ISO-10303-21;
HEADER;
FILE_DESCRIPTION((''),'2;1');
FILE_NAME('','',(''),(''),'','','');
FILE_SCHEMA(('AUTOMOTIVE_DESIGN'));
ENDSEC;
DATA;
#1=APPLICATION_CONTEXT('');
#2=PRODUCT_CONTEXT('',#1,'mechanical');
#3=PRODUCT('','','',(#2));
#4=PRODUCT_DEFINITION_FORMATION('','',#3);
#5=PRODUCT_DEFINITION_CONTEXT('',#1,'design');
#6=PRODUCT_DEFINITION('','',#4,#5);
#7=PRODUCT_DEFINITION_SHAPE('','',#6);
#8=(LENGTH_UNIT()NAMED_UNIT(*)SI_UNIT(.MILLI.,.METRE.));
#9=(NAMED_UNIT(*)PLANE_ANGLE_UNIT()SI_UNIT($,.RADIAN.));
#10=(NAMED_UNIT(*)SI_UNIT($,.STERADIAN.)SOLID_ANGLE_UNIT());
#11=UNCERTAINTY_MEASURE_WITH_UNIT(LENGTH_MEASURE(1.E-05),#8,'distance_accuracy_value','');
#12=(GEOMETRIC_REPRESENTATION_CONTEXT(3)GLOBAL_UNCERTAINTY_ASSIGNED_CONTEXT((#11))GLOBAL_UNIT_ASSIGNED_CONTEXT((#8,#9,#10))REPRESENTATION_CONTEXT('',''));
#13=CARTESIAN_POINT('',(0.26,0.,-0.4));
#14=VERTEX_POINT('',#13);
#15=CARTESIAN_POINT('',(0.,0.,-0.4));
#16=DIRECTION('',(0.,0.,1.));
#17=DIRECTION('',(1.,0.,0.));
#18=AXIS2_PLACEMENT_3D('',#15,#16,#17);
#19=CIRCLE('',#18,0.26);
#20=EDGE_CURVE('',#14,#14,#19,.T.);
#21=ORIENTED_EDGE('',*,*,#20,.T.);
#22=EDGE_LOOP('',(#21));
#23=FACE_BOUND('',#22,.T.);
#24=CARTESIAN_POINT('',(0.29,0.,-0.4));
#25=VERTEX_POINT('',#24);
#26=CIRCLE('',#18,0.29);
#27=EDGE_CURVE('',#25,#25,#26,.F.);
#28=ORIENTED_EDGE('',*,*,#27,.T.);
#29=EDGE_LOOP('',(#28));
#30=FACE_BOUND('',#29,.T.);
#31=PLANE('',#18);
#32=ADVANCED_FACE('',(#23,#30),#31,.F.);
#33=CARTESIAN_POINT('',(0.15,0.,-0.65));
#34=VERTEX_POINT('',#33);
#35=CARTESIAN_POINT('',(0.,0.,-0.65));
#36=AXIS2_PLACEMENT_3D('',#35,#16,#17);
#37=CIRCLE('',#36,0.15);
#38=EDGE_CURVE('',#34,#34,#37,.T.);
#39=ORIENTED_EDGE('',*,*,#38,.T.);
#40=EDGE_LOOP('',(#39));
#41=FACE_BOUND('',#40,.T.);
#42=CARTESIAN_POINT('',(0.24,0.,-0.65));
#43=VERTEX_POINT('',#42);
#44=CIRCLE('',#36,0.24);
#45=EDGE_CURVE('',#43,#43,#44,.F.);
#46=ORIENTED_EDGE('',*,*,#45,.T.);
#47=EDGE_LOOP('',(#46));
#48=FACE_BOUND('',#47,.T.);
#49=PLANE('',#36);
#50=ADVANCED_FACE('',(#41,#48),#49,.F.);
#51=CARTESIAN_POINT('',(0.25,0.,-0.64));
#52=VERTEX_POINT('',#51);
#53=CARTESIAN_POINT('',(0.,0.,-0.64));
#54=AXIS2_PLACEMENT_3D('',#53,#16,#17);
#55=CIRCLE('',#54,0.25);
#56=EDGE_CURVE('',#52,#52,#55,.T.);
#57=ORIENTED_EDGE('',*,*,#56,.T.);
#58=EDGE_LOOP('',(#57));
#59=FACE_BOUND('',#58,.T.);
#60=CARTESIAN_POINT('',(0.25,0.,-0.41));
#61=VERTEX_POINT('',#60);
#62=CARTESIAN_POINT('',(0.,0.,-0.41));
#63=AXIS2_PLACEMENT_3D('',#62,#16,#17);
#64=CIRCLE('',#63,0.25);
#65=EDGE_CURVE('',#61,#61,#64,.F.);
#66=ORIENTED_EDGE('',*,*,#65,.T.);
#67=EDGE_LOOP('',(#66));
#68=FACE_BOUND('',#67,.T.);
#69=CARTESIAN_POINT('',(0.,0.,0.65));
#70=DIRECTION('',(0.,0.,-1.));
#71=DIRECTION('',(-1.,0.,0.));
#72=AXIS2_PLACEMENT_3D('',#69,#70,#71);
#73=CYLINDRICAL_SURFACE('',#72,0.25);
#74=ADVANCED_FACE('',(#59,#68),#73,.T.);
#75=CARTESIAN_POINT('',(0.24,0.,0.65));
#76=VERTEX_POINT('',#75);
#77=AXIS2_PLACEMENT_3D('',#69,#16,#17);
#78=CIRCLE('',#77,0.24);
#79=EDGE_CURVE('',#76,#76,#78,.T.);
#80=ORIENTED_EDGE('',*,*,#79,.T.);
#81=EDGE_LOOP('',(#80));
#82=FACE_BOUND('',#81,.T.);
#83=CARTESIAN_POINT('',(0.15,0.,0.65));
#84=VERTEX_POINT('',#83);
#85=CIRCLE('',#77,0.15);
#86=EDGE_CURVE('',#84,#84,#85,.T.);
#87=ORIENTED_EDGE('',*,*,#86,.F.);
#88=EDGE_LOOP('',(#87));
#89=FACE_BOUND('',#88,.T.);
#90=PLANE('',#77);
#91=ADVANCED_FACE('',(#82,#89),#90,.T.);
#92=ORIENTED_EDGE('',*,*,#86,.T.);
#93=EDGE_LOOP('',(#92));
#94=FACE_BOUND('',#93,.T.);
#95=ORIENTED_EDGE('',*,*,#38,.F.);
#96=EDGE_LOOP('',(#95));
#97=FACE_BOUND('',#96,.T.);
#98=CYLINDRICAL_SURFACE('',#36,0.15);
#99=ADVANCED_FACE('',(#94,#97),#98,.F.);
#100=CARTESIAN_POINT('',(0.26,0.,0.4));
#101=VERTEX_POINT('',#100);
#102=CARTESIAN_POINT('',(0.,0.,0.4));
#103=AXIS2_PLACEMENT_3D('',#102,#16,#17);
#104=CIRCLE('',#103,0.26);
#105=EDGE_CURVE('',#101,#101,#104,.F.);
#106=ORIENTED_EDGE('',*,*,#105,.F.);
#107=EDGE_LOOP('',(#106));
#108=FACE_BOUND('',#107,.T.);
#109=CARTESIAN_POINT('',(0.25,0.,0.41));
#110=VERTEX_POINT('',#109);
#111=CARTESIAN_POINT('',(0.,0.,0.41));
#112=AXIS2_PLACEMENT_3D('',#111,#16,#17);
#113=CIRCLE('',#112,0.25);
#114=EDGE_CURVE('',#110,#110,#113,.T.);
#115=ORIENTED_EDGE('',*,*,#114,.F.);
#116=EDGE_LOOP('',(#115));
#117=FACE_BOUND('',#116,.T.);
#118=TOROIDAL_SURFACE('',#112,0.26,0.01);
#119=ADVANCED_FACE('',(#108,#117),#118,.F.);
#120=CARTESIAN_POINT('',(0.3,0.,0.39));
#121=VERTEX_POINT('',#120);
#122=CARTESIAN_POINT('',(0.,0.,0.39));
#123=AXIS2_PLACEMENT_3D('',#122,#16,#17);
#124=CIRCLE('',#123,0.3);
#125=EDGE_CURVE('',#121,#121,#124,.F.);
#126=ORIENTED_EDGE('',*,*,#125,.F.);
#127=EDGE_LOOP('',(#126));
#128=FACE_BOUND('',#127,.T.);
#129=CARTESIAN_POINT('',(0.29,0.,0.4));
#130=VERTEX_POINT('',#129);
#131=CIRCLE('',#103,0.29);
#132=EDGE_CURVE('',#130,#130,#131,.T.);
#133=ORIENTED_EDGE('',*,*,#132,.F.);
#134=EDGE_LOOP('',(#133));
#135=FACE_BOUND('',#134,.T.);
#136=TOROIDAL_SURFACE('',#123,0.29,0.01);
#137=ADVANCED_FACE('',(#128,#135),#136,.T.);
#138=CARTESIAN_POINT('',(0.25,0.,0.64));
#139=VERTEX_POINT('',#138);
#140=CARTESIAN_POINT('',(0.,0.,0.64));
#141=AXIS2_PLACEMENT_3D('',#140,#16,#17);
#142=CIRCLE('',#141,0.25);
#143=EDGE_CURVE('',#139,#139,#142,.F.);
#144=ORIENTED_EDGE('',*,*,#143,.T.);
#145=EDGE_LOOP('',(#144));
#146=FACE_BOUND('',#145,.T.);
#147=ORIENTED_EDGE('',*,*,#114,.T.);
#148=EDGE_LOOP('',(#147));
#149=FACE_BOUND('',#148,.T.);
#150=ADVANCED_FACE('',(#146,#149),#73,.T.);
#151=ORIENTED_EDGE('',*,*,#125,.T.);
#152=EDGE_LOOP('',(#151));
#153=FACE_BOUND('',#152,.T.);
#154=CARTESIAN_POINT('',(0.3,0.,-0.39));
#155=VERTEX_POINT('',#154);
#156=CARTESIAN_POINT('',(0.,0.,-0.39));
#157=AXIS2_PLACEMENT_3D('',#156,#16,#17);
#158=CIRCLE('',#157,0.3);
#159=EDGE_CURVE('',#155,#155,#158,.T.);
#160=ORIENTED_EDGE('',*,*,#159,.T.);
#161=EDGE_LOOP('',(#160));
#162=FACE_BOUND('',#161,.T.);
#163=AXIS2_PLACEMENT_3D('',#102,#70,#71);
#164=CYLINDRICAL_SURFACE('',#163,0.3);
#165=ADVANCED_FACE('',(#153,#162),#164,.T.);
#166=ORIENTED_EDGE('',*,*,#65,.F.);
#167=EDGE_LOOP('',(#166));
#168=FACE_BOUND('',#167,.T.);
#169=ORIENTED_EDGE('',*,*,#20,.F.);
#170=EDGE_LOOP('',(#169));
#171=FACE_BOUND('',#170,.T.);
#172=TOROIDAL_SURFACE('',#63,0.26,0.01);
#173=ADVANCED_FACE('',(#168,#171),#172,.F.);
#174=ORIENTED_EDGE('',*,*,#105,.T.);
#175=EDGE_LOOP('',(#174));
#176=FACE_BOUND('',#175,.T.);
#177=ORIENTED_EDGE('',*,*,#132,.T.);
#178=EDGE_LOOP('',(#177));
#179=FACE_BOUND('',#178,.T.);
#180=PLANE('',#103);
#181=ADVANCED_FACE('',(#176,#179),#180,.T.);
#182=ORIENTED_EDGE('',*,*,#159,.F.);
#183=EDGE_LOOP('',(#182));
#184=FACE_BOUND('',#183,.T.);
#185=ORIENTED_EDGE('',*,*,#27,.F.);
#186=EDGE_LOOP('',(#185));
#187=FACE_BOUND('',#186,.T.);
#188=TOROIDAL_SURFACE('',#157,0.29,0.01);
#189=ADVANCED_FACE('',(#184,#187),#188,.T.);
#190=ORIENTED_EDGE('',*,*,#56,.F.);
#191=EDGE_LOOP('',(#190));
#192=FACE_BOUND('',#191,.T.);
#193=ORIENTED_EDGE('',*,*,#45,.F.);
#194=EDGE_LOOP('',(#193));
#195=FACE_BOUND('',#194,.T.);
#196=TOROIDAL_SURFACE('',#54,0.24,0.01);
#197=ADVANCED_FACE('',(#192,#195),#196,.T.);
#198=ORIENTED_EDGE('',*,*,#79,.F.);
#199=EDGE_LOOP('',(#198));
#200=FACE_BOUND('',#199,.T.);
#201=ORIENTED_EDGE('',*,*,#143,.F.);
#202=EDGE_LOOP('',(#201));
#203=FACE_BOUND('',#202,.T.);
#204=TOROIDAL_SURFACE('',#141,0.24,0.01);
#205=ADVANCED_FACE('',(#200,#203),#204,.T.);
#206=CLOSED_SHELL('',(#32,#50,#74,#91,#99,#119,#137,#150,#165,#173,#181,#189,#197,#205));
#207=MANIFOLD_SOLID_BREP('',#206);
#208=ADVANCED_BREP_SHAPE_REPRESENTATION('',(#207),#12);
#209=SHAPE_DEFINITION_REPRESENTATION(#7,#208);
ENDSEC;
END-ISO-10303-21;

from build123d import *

# Parameters (mm, degrees)
SKETCH1_R           = 0.3
BOSS_EXTRUDE1_DEPTH = 0.4
SKETCH4_R           = 0.25
BOSS_EXTRUDE3_DEPTH = 0.65
SKETCH5_R           = 0.15
CUT_EXTRUDE1_DEPTH  = 2.367479433
FILLET1_R           = 0.01
FILLET2_R           = 0.01


with BuildPart() as part:
    # Sketch1 → Boss-Extrude1 (new, symmetric)
    with BuildSketch(Plane.XY):
        Circle(SKETCH1_R)
    extrude(amount=BOSS_EXTRUDE1_DEPTH, both=True)

    # Sketch4 → Boss-Extrude3 (add, symmetric)
    with BuildSketch(Plane.XY):
        Circle(SKETCH4_R)
    extrude(amount=BOSS_EXTRUDE3_DEPTH, both=True)

    # Sketch5 → Cut-Extrude1 (cut, through all)
    with BuildSketch(Plane.XY.offset(0.65)):
        Circle(SKETCH5_R)
    extrude(amount=-CUT_EXTRUDE1_DEPTH, mode=Mode.SUBTRACT)

    # Fillet1
    fillet1_edges = [part.edges().sort_by_distance(p)[0] for p in [
        (-0.3, 0, -0.4),
        (-0.3, 0, 0.4),
        (-0.25, 0, -0.65),
        (-0.25, 0, 0.65),
    ]]
    fillet(fillet1_edges, radius=FILLET1_R)

    # Fillet2
    fillet2_edges = [part.edges().sort_by_distance(p)[0] for p in [
        (-0.25, 0, -0.4),
        (-0.25, 0, 0.4),
    ]]
    fillet(fillet2_edges, radius=FILLET2_R)


solid = part.part
